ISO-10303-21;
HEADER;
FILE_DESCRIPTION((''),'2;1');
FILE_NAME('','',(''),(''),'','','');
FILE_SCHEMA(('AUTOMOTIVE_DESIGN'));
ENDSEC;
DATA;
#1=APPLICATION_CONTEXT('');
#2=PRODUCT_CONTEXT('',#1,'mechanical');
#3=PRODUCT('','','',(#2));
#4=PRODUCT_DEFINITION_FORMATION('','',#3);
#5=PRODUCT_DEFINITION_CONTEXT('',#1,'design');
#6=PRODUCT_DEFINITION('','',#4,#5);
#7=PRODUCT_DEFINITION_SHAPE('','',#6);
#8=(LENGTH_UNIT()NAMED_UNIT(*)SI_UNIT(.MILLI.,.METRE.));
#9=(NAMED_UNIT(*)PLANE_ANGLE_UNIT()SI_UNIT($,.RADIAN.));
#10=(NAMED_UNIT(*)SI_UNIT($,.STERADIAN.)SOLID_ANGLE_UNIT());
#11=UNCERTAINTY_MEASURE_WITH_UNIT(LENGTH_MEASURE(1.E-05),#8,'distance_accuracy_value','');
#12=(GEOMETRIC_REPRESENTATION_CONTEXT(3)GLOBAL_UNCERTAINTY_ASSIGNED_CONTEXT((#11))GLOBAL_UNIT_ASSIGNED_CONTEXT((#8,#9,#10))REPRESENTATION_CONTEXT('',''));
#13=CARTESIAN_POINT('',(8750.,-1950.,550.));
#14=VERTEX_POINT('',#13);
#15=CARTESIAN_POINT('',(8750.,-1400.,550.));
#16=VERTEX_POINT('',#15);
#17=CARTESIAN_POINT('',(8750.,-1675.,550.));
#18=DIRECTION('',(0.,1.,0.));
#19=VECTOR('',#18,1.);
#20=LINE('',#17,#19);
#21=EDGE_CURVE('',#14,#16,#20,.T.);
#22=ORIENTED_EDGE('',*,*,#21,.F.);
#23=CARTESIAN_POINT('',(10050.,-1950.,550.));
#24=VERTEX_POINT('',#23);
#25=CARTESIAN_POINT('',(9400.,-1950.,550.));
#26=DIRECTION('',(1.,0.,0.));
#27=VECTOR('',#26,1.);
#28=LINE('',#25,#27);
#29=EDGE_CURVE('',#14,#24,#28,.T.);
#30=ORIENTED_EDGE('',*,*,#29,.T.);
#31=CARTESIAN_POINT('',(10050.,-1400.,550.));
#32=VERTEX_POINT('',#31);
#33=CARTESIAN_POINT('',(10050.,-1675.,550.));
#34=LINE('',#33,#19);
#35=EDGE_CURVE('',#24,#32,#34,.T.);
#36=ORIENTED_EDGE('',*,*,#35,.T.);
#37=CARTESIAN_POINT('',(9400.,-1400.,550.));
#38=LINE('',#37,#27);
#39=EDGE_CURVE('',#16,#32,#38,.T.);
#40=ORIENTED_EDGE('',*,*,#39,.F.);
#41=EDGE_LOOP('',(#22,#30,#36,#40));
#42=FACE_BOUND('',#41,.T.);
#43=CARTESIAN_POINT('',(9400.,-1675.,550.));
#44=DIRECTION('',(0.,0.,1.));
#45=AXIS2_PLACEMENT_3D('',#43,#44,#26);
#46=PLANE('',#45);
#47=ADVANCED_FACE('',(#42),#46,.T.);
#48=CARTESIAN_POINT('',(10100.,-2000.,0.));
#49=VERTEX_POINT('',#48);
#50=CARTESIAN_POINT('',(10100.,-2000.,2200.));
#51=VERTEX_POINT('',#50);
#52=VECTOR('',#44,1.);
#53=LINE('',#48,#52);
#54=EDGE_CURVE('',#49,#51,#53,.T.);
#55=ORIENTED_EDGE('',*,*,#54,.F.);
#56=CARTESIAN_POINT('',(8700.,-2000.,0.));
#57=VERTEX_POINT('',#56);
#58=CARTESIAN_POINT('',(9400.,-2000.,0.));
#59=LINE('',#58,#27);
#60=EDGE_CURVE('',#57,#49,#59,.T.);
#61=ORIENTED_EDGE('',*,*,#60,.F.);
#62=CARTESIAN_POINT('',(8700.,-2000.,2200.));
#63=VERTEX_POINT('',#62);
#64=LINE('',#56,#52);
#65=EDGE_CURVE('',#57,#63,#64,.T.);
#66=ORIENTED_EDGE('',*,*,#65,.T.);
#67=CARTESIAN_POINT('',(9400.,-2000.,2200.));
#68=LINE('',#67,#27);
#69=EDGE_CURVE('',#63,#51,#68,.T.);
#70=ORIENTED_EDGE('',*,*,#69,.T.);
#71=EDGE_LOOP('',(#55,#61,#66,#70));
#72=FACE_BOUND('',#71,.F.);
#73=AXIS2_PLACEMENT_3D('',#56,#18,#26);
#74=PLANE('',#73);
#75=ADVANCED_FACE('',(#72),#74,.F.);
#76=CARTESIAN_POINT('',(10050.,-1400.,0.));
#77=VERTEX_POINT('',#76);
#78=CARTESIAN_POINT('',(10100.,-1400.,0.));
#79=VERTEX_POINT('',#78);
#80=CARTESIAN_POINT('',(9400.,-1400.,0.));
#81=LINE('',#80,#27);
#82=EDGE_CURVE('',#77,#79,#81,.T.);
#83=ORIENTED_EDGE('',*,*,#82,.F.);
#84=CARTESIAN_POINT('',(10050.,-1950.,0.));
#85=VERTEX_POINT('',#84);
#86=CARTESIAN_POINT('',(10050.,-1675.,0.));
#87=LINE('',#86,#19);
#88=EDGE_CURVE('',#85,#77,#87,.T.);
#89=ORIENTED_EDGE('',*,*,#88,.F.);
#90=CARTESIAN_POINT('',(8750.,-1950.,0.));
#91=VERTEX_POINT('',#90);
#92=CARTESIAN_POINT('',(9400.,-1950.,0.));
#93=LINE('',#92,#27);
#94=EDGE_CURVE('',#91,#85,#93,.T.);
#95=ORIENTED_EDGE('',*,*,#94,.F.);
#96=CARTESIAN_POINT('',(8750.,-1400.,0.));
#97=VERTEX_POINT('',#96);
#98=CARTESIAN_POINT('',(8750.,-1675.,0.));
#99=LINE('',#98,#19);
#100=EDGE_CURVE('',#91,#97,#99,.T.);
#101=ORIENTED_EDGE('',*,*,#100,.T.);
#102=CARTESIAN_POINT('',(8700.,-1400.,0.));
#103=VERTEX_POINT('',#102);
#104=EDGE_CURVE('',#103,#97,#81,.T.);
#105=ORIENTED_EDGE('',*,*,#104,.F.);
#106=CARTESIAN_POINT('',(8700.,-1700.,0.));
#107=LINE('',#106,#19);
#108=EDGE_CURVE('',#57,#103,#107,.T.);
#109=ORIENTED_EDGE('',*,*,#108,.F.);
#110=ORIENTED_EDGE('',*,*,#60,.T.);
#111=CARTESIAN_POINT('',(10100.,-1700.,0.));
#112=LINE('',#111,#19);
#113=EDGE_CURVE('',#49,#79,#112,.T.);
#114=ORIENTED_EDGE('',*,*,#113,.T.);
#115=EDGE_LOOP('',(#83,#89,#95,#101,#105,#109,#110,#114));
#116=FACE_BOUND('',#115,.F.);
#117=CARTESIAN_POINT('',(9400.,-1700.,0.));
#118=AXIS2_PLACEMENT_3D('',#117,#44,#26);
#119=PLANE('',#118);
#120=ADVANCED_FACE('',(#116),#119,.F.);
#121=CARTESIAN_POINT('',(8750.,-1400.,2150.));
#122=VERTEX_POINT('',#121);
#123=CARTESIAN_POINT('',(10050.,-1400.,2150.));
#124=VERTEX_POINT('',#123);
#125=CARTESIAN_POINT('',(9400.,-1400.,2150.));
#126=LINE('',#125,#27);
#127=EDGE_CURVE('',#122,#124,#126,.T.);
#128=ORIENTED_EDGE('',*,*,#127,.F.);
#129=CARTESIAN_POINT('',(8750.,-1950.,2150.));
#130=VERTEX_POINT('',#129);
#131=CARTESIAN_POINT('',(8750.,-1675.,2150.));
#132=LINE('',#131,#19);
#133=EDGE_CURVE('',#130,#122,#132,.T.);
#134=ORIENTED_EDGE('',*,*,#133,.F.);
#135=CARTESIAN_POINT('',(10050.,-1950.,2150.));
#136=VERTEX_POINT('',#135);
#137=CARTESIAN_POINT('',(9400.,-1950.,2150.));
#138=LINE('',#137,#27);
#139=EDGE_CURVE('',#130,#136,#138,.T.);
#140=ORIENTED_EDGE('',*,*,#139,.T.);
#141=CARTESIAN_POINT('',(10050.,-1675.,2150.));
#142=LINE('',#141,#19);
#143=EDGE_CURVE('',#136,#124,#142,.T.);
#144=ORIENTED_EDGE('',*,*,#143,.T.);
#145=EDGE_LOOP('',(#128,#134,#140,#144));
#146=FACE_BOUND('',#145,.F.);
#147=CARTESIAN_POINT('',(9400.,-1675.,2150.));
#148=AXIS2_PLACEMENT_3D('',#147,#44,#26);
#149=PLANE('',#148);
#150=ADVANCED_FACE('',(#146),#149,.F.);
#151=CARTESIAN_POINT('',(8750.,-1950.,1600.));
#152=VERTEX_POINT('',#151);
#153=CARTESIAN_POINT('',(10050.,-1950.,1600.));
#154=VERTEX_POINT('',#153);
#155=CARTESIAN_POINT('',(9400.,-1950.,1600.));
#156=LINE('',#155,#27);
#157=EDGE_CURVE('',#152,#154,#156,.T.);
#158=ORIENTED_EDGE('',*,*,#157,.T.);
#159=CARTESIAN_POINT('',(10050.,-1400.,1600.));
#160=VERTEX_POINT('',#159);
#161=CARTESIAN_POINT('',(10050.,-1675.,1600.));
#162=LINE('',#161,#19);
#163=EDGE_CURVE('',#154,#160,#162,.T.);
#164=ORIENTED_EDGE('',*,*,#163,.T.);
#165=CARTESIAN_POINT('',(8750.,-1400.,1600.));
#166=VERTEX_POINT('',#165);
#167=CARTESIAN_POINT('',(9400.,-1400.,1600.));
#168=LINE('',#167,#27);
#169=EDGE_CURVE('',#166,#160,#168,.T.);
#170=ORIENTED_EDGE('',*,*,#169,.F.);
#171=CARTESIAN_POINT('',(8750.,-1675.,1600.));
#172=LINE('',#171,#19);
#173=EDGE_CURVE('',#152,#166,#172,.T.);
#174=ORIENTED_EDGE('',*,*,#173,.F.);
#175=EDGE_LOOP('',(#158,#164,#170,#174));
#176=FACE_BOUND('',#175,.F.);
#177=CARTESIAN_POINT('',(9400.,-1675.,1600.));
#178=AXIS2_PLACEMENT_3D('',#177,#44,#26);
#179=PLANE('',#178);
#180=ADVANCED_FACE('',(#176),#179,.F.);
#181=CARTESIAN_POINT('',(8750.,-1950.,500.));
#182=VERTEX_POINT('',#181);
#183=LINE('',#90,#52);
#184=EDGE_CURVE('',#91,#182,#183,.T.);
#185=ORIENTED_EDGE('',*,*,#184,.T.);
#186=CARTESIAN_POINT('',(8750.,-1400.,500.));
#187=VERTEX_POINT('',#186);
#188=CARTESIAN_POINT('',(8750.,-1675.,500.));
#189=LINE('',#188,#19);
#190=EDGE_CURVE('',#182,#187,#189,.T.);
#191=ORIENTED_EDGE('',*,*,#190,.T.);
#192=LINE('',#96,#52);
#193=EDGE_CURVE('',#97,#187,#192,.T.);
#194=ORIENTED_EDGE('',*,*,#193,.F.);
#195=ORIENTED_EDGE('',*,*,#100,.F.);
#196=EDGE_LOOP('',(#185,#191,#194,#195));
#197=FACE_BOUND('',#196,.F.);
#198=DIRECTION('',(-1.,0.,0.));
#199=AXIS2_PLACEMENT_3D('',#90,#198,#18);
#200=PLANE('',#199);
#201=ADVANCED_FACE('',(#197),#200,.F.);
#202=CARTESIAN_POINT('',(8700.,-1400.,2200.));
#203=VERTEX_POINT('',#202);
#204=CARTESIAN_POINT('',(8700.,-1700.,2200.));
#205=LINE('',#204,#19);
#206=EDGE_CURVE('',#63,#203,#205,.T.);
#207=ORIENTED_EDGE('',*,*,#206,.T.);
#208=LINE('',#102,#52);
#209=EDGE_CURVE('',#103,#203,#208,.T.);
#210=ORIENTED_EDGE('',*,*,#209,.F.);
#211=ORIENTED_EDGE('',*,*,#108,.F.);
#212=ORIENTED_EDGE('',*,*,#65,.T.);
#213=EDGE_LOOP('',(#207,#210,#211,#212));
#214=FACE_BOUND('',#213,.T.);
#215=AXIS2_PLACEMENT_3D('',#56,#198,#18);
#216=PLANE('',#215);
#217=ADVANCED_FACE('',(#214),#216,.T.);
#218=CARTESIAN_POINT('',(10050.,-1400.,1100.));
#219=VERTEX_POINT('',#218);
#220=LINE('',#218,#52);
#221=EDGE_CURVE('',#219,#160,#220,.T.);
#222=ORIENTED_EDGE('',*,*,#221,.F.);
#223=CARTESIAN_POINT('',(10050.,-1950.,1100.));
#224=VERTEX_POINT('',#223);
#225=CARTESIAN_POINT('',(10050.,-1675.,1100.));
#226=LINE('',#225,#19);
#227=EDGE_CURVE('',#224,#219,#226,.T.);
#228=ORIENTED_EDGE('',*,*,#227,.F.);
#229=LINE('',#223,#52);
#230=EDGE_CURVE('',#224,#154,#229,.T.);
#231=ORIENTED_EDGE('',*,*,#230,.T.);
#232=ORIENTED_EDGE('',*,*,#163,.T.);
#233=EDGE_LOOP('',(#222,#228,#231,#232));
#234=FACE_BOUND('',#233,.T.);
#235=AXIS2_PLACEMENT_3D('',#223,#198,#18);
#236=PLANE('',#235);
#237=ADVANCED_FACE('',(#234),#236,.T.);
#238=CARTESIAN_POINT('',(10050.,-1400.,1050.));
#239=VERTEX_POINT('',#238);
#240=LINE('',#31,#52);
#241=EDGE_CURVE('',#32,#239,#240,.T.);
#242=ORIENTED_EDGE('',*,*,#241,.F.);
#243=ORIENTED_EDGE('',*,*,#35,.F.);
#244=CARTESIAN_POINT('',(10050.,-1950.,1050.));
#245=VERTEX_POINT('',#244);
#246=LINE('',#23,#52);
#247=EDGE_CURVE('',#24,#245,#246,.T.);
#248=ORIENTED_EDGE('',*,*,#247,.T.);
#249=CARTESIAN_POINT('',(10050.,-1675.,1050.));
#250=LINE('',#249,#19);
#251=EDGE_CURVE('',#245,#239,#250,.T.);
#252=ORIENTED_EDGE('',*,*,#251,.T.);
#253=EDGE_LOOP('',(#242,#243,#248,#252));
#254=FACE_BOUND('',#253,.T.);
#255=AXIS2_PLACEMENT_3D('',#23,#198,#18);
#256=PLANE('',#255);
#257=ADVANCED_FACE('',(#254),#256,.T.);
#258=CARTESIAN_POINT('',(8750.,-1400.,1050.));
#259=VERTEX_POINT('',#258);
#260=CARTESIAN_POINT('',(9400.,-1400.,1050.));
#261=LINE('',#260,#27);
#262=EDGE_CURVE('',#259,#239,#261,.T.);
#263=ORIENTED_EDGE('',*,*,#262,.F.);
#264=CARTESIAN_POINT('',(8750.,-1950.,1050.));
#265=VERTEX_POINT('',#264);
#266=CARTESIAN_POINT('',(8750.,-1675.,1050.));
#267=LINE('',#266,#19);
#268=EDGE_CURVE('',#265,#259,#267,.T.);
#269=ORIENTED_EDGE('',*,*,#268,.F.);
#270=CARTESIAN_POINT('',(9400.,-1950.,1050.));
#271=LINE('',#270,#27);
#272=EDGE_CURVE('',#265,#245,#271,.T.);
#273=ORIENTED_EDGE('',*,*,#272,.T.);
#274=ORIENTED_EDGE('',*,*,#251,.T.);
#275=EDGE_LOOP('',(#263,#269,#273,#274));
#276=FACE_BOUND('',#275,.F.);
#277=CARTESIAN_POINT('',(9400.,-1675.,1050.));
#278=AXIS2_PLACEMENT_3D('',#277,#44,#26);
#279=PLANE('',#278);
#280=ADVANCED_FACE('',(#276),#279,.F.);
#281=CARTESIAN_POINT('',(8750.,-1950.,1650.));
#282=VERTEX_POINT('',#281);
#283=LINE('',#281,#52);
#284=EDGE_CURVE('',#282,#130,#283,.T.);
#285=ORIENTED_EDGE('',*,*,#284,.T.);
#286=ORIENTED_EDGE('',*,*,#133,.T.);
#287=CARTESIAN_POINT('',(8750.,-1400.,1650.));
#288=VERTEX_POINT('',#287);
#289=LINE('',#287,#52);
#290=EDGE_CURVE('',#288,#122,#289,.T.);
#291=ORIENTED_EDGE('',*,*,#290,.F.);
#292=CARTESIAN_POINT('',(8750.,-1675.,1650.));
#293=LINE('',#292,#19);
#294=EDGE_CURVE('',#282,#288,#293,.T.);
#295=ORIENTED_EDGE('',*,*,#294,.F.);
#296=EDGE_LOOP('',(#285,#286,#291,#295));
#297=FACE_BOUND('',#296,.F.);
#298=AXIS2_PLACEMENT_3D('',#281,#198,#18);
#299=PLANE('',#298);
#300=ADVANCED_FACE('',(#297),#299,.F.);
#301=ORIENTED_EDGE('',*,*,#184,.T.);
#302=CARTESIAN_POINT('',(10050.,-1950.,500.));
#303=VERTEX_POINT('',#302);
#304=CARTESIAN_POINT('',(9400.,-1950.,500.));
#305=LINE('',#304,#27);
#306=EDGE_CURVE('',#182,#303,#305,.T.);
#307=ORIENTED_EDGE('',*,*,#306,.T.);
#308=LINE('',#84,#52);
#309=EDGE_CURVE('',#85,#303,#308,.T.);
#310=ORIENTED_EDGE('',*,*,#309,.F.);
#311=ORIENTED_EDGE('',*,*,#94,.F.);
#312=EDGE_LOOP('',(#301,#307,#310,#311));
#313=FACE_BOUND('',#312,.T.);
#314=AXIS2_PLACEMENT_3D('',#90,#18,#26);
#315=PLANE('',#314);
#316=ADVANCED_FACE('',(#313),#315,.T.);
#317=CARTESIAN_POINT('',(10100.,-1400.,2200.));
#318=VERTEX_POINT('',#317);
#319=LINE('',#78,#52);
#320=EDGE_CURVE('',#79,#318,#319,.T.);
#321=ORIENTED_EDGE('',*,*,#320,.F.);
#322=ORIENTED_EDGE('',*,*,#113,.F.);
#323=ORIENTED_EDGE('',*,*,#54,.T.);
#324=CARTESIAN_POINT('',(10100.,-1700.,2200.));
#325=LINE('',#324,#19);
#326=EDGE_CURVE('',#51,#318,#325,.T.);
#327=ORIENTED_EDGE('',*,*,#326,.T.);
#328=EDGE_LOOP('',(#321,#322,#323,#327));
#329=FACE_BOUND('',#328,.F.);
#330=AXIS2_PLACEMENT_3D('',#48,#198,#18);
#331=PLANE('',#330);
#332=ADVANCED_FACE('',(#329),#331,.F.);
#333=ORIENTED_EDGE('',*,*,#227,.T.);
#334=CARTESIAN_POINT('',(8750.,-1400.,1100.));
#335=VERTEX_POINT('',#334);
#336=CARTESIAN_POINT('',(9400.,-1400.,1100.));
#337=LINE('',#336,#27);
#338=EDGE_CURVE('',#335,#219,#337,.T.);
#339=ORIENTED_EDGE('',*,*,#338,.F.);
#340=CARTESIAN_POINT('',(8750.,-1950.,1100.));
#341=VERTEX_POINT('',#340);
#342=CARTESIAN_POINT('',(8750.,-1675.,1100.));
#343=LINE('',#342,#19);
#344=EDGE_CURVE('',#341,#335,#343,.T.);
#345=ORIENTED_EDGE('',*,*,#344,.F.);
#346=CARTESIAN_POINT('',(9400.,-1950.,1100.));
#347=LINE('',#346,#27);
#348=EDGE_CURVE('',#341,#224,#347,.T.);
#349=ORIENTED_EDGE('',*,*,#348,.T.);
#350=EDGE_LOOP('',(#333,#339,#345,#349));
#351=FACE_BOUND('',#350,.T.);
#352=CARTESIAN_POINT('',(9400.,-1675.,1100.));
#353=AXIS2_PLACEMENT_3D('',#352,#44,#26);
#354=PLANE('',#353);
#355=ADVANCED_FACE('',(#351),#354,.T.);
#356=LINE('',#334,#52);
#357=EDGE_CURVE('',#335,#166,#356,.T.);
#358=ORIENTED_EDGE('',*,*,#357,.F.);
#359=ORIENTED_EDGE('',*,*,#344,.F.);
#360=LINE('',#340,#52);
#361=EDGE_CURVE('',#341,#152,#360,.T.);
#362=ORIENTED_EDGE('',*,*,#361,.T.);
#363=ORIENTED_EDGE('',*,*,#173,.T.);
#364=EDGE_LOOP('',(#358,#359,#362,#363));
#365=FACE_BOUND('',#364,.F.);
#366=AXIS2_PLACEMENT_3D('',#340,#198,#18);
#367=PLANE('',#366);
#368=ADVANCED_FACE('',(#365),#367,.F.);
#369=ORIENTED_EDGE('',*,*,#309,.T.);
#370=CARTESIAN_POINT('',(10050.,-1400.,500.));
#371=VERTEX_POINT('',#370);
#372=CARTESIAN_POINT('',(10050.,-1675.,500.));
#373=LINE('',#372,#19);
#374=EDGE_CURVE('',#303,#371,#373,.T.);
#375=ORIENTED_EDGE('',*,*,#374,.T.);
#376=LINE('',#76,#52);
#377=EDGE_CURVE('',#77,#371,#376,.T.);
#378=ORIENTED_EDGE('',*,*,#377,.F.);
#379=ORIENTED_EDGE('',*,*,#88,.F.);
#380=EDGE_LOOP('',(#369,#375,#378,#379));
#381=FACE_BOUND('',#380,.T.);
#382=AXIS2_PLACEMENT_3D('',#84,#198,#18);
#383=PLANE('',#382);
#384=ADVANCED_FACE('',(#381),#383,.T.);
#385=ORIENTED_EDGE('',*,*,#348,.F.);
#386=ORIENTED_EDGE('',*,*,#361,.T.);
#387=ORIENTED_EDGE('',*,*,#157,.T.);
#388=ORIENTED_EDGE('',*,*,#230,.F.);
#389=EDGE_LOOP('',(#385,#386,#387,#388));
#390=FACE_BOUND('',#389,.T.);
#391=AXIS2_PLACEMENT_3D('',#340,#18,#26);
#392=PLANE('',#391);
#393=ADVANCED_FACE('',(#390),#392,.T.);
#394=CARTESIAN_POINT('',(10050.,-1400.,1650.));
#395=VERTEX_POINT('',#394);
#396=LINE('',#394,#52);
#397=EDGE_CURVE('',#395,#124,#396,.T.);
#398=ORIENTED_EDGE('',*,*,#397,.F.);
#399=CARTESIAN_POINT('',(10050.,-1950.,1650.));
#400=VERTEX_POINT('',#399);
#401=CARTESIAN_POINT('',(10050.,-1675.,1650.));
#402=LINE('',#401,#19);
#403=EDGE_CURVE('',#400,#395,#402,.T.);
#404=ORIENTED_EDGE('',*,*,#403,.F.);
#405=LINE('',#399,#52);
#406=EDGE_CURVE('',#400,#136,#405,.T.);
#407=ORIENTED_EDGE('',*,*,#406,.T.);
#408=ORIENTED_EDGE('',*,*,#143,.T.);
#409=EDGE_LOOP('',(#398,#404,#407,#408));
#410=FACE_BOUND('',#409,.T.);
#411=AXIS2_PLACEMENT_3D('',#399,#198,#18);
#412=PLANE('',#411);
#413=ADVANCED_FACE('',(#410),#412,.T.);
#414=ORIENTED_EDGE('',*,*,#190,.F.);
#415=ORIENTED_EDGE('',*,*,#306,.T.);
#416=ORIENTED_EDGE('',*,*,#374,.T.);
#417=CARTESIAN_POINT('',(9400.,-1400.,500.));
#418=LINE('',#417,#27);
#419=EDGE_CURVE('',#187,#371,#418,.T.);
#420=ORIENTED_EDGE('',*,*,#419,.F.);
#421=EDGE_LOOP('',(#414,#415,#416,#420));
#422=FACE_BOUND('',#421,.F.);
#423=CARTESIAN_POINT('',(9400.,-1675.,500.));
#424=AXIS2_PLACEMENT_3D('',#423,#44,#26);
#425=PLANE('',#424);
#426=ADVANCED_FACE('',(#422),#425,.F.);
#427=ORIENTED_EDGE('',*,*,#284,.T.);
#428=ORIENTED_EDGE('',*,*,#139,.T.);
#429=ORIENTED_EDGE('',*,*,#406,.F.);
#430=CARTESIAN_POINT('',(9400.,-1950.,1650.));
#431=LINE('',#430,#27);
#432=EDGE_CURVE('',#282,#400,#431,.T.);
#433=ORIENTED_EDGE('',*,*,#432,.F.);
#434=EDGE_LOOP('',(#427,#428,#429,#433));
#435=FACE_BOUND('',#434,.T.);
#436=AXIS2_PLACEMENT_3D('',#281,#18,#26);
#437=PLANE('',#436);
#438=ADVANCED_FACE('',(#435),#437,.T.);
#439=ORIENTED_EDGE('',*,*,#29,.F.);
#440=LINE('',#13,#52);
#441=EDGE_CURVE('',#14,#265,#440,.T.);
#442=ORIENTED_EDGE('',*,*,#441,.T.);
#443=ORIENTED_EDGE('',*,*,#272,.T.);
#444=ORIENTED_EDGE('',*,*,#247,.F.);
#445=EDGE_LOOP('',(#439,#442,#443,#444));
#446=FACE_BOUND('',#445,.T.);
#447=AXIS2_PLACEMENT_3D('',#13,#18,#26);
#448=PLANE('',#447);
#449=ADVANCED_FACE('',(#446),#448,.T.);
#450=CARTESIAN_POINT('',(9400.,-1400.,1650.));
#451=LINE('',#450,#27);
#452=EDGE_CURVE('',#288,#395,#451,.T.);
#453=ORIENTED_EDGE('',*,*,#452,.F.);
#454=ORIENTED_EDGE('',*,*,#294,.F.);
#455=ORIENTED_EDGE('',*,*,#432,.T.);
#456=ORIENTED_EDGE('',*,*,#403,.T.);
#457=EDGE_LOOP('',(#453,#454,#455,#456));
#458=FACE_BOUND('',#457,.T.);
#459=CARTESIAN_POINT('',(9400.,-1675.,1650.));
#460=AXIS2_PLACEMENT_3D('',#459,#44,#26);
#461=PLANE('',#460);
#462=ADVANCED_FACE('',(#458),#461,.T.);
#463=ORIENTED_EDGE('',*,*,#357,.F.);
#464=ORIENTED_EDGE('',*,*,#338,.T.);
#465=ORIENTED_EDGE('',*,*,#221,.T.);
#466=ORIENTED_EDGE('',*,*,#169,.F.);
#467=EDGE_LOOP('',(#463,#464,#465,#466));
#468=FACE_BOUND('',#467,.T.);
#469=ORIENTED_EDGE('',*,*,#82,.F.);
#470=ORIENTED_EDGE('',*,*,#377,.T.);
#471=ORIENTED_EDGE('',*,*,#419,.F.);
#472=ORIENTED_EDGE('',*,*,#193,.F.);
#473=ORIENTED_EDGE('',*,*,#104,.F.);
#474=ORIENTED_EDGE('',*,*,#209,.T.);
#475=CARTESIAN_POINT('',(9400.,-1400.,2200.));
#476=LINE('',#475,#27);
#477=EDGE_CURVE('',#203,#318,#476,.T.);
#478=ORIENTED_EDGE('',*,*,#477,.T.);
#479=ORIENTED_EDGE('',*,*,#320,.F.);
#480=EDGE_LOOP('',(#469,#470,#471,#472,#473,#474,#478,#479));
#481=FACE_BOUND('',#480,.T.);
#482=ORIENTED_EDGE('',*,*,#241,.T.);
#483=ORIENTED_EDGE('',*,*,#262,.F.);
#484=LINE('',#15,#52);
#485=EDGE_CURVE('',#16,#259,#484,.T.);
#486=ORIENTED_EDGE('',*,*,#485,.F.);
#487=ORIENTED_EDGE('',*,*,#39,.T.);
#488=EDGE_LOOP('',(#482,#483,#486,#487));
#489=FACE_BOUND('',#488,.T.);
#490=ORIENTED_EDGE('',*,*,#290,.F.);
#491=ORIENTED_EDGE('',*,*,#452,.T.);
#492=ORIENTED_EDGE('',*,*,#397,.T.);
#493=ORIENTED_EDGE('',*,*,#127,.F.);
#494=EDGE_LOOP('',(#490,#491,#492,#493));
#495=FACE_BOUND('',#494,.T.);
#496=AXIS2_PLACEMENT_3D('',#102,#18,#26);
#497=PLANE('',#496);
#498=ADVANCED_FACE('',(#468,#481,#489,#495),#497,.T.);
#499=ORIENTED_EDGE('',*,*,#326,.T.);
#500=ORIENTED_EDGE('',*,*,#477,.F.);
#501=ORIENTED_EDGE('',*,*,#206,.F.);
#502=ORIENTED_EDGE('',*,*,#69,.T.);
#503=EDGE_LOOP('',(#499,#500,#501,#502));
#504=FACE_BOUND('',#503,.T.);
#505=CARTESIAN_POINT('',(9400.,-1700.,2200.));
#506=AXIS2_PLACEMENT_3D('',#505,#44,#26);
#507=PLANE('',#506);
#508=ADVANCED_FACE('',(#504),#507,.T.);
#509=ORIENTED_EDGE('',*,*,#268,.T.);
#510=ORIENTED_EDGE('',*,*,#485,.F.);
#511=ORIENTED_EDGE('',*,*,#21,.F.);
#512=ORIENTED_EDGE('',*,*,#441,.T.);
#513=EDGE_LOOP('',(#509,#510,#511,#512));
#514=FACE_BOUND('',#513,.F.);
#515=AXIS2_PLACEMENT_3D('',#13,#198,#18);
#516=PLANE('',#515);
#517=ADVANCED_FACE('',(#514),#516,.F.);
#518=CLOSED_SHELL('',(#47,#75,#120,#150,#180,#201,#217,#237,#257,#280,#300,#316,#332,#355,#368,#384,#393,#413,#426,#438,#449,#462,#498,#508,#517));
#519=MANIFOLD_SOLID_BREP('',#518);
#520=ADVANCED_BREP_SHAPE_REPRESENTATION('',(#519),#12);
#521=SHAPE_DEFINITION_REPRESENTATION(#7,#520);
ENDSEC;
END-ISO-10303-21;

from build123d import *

# Parameters (mm, degrees)
BOX3525_W        = 1300
BOX3525_H        = 550
BOX3525_DEPTH    = 500
ARRAY280_Z_COUNT = 4
ARRAY280_Z_PITCH = 550
BOX3524_W        = 1400
BOX3524_H        = 600
BOX3524_DEPTH    = 2200


with BuildPart() as array280:
    # Box3525 → Box3525 (new body)
    with BuildSketch(Plane(origin=(8750, -1950, 0), x_dir=(1, 0, 0), z_dir=(0, 0, 1))):
        with Locations((650, 275)):
            Rectangle(BOX3525_W, BOX3525_H)
    extrude(amount=BOX3525_DEPTH)

    # Array280 Z: Array280 ×4


with BuildPart() as array280_1:
    add(array280.part)
    with Locations(*[(0, 0, i * ARRAY280_Z_PITCH) for i in range(1, ARRAY280_Z_COUNT)]):
        add(array280.part)


with BuildPart() as cut002:
    # Box3524 → Box3524 (new body)
    with BuildSketch(Plane(origin=(8700, -2000, 0), x_dir=(1, 0, 0), z_dir=(0, 0, 1))):
        with Locations((700, 300)):
            Rectangle(BOX3524_W, BOX3524_H)
    extrude(amount=BOX3524_DEPTH)

    # Cut002: cut Array280
    add(array280_1.part, mode=Mode.SUBTRACT)


solid = cut002.part
